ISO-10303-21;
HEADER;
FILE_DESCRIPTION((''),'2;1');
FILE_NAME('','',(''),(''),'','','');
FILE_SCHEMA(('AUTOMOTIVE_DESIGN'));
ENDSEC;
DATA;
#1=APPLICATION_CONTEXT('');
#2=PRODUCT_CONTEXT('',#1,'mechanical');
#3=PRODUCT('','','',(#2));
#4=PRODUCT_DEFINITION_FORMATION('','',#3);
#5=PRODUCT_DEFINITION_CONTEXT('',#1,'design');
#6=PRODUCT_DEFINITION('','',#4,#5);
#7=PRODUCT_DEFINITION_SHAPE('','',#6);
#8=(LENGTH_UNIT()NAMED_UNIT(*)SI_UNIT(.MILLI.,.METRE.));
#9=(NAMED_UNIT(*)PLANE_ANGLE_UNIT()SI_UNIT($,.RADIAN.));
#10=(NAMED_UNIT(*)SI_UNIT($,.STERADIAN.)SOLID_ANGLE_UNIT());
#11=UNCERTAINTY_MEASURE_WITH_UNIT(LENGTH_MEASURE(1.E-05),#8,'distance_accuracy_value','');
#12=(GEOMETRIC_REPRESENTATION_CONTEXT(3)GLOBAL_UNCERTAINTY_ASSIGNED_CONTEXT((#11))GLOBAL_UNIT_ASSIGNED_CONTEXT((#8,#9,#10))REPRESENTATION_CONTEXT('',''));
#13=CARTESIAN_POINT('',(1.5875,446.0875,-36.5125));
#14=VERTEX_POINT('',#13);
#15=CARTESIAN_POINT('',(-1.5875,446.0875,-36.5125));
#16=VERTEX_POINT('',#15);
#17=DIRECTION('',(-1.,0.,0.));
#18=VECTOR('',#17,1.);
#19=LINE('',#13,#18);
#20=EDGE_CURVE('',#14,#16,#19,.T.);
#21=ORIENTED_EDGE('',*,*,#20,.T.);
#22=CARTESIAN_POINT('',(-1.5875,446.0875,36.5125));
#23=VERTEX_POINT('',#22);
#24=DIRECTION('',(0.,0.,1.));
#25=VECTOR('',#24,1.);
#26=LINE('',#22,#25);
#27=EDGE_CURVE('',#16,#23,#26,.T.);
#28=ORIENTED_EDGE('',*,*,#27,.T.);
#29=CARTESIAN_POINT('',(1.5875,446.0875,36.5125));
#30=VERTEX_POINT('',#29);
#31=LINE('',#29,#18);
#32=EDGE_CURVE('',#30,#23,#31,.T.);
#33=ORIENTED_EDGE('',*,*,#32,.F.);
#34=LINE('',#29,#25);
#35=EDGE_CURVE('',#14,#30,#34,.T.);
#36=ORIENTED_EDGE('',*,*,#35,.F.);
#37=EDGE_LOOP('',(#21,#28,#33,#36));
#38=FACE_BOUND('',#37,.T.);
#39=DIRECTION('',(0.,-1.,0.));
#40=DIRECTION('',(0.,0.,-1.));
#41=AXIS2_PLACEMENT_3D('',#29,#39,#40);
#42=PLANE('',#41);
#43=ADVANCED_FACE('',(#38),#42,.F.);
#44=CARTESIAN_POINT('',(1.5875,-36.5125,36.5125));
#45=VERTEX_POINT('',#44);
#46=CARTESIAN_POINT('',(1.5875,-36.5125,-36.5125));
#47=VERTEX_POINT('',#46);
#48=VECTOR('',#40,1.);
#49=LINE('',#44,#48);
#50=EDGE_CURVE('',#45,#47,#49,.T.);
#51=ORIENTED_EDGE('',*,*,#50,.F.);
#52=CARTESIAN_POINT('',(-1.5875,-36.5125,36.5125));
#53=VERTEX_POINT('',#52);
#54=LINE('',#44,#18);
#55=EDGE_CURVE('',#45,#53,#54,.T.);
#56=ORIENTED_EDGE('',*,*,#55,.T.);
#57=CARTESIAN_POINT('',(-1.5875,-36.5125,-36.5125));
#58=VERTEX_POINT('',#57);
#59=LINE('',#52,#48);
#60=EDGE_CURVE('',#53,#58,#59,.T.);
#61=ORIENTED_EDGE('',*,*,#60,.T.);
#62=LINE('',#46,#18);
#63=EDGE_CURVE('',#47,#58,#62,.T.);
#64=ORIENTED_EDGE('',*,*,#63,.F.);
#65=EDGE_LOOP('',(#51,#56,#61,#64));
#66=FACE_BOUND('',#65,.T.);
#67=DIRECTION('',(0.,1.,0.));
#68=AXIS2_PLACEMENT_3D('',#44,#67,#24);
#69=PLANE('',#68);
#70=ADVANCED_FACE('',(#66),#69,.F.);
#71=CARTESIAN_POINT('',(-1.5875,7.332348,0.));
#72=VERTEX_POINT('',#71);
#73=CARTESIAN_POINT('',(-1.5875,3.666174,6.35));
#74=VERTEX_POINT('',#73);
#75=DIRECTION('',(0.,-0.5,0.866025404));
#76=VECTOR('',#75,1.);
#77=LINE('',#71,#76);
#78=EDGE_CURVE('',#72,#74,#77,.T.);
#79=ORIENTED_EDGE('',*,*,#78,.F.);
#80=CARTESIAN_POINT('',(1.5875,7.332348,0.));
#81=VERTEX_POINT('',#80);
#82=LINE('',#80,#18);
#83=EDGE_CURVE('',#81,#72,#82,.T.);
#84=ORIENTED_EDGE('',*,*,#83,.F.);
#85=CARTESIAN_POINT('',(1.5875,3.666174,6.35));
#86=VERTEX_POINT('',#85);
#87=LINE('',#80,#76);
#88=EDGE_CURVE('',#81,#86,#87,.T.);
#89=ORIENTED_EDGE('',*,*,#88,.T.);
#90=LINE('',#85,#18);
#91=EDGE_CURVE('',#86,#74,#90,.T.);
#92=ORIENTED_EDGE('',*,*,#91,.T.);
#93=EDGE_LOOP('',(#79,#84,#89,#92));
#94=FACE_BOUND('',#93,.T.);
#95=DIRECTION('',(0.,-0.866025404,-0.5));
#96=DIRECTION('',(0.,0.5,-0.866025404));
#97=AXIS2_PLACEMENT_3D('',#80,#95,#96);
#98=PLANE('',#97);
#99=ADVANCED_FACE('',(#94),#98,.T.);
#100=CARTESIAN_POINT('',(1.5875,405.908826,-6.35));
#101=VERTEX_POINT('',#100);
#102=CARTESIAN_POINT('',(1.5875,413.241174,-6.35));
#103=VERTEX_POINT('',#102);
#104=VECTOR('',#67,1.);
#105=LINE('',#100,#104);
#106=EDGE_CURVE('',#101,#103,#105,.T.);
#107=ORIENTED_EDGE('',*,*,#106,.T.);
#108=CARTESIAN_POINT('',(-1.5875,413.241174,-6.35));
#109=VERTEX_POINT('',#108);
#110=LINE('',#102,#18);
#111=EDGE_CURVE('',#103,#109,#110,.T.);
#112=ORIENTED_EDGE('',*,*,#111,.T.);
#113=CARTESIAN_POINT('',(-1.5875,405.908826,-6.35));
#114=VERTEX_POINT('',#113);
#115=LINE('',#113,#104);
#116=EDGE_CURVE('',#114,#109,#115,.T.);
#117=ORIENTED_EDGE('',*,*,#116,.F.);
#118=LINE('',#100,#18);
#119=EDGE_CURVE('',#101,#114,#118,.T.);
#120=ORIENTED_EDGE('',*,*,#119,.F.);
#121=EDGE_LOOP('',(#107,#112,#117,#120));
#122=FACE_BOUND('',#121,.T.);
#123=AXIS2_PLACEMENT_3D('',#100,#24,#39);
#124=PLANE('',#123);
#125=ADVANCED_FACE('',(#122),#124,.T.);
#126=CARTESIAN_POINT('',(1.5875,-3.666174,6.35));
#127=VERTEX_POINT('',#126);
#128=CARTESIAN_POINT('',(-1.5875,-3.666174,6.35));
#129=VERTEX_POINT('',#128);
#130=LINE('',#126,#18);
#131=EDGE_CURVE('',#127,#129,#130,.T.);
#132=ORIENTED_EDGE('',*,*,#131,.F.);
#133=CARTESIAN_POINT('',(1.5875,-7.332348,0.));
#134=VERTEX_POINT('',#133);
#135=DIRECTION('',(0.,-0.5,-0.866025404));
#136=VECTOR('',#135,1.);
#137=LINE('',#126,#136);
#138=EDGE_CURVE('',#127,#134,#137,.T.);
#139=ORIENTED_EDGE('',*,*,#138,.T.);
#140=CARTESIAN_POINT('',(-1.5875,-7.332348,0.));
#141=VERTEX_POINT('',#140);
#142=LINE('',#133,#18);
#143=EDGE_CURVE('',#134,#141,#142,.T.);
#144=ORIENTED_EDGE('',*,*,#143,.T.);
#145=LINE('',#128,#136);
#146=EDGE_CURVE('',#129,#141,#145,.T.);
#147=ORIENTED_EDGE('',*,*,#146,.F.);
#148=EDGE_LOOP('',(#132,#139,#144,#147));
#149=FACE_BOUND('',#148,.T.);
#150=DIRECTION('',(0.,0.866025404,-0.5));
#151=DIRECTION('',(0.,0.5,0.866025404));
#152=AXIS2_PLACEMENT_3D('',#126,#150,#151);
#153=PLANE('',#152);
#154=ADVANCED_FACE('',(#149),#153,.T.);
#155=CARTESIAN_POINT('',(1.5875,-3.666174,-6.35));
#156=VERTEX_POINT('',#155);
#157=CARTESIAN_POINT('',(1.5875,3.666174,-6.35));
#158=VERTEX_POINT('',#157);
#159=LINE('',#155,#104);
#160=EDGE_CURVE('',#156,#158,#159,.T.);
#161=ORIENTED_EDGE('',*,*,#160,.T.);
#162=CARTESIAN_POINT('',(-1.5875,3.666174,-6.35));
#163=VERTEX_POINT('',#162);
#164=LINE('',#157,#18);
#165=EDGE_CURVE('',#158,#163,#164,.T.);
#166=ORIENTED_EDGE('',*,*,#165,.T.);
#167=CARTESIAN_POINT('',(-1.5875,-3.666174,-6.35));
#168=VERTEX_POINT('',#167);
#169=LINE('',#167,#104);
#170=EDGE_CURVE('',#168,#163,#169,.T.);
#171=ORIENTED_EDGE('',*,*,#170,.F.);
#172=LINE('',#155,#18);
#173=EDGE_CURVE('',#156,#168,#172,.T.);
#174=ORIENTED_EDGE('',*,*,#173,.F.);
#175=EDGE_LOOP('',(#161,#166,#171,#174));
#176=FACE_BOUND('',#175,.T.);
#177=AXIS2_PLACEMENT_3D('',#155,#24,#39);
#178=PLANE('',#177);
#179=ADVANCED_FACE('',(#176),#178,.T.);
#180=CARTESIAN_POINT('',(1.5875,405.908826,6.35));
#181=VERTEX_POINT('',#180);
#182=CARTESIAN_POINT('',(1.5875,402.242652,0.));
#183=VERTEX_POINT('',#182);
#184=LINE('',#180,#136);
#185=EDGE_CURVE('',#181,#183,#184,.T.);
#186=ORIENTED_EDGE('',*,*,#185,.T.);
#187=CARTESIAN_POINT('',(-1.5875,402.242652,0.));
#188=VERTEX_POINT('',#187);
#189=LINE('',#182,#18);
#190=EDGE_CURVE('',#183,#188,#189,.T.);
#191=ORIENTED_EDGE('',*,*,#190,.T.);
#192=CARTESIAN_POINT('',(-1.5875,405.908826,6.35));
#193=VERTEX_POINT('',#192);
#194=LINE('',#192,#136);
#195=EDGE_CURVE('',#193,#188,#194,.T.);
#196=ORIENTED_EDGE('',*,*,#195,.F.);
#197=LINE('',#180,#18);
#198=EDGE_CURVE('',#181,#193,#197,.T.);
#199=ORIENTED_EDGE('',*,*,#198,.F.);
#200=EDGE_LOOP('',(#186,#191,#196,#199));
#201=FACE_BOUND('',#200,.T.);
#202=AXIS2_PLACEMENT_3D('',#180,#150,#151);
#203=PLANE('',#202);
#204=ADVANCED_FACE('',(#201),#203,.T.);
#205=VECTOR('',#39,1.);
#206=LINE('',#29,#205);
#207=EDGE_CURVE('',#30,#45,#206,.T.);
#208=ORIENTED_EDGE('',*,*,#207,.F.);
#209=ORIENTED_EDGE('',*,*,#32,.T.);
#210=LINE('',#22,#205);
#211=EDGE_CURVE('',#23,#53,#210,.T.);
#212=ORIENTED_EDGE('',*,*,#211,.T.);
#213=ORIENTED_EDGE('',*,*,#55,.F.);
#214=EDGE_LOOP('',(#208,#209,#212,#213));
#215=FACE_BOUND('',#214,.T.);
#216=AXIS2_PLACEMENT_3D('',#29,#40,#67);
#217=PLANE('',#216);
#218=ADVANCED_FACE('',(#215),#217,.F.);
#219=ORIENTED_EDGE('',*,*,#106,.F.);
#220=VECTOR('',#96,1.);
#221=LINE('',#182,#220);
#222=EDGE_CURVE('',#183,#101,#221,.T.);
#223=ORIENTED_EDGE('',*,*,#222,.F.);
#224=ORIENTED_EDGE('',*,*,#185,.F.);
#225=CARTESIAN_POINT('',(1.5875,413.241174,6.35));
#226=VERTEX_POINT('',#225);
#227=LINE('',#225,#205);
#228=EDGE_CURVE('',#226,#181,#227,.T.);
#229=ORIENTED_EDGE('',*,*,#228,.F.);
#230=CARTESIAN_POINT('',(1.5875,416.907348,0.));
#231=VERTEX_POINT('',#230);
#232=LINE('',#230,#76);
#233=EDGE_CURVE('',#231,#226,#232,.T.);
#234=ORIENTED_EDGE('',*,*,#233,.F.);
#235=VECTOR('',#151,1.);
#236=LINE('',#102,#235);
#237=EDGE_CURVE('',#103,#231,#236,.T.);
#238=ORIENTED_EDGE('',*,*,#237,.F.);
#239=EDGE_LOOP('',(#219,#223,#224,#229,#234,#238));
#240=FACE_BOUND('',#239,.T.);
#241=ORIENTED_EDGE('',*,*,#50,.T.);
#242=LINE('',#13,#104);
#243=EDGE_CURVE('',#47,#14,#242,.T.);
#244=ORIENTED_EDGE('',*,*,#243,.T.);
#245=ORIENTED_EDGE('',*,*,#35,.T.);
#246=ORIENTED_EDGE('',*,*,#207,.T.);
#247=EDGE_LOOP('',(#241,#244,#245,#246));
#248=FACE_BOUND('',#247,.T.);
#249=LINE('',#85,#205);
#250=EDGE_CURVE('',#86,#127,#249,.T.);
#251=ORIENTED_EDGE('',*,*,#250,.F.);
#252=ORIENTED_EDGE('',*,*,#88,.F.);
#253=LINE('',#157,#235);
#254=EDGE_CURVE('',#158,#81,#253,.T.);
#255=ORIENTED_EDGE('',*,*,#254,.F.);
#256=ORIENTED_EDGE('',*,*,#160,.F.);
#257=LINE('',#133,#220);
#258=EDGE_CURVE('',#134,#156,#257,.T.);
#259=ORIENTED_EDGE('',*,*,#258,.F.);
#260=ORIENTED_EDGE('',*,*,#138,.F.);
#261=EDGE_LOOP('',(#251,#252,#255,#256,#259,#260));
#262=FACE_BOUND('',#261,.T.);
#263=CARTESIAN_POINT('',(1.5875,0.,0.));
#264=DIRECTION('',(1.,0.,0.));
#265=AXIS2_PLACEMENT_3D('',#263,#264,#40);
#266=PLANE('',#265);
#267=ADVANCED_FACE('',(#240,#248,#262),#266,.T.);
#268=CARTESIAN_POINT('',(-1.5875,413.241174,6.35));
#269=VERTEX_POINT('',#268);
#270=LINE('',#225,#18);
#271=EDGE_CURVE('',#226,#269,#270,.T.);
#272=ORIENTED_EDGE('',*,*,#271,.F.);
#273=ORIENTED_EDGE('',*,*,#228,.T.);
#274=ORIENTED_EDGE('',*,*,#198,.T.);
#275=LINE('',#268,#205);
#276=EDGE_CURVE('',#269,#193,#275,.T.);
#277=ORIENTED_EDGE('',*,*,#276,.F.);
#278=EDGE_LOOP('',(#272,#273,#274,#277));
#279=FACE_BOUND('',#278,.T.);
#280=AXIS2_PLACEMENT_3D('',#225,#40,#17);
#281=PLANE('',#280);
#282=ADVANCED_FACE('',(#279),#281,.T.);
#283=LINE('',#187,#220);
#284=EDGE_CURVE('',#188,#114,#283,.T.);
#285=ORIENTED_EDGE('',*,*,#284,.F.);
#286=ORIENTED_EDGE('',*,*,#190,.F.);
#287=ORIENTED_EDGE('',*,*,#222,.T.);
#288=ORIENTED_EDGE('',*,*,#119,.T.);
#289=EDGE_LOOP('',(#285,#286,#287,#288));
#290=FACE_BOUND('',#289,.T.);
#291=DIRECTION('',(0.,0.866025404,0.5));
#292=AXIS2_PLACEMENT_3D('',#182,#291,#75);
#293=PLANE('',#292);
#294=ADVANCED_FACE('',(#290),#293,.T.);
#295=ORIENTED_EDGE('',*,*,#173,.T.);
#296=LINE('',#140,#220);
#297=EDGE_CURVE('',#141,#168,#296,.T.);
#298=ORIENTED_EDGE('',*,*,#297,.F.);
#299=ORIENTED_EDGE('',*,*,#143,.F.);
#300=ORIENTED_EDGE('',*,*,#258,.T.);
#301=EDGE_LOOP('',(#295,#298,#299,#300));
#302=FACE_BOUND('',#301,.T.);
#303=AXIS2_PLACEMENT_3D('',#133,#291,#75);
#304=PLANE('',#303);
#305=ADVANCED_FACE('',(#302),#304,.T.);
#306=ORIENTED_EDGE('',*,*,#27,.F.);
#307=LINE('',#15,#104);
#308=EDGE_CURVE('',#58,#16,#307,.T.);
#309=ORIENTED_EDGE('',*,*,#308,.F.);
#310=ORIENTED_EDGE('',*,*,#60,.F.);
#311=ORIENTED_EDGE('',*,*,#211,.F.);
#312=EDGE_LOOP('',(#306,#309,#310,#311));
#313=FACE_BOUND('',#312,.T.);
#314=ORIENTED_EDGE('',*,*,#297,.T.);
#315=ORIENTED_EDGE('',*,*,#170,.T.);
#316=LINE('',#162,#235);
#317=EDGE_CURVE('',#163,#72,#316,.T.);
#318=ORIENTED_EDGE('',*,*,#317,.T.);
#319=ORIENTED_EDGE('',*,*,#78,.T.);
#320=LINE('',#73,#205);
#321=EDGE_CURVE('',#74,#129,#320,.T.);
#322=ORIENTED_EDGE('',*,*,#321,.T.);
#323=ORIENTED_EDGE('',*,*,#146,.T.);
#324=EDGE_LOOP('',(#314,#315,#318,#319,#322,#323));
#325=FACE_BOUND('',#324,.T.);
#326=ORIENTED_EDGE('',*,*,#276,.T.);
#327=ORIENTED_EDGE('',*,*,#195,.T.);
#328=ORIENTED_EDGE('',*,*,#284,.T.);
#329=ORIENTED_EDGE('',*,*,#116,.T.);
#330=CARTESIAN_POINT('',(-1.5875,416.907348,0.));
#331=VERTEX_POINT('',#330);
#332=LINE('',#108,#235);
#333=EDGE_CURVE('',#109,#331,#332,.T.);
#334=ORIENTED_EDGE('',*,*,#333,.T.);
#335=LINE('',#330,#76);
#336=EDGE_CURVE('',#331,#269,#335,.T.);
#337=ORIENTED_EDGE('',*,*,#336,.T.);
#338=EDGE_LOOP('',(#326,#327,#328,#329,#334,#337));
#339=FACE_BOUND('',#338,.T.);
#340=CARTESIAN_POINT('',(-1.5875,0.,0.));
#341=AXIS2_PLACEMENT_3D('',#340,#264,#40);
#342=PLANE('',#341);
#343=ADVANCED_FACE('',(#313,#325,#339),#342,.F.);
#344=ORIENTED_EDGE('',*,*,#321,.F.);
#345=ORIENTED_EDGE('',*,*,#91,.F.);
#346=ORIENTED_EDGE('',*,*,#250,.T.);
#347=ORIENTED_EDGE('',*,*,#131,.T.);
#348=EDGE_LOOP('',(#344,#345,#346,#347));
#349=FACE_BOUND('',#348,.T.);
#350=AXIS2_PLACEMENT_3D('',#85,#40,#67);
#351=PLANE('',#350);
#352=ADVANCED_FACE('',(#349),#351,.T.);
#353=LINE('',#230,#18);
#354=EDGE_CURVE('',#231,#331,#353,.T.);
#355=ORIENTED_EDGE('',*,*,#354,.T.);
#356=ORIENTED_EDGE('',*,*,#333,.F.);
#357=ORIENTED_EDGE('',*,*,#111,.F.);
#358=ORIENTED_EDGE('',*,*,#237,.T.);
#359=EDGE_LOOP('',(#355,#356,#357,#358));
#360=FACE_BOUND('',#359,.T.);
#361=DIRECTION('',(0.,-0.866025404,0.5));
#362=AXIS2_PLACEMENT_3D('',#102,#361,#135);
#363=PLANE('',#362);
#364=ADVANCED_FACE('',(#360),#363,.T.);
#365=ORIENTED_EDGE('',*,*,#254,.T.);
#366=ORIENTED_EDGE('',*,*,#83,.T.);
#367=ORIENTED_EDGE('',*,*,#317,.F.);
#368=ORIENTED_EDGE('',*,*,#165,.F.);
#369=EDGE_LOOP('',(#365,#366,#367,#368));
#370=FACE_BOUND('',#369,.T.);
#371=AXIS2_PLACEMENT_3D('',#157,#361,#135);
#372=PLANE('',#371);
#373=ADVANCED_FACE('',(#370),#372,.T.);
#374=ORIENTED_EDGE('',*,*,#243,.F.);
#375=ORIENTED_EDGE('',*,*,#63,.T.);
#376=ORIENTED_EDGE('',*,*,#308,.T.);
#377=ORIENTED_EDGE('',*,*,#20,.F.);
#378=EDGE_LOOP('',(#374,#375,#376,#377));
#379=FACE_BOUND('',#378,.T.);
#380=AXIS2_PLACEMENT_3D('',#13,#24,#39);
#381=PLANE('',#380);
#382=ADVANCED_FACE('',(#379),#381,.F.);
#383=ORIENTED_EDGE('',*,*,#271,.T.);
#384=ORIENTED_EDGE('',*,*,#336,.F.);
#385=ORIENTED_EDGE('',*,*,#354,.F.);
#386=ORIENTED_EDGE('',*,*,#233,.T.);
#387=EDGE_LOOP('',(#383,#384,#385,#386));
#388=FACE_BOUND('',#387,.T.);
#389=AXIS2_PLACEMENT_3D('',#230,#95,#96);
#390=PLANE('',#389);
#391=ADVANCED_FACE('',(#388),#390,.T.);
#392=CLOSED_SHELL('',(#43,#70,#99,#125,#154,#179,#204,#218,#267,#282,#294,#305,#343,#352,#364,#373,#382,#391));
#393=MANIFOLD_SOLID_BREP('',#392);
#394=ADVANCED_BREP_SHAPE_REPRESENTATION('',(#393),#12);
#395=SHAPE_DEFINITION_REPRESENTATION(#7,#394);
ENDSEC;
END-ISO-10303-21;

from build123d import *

# Parameters (mm, degrees)
SKETCH1_W           = 73.025
SKETCH1_H           = 482.6
BOSS_EXTRUDE1_DEPTH = 1.5875


with BuildPart() as part:
    # Sketch1 → Boss-Extrude1 (new body, symmetric)
    with BuildSketch(Plane(origin=(0, 0, 0), x_dir=(0, 0, -1), z_dir=(1, 0, 0))):
        with Locations((0, 204.7875)):
            Rectangle(SKETCH1_W, SKETCH1_H)
        Polygon((0, 7.332348419), (-6.35, 3.666174209), (-6.35, -3.666174209), (0, -7.332348419), (6.35, -3.666174209), (6.35, 3.666174209), align=None, mode=Mode.SUBTRACT)
        Polygon((0, 402.242651581), (6.35, 405.908825791), (6.35, 413.241174209), (0, 416.907348419), (-6.35, 413.241174209), (-6.35, 405.908825791), align=None, mode=Mode.SUBTRACT)
    extrude(amount=BOSS_EXTRUDE1_DEPTH, both=True)


solid = part.part
